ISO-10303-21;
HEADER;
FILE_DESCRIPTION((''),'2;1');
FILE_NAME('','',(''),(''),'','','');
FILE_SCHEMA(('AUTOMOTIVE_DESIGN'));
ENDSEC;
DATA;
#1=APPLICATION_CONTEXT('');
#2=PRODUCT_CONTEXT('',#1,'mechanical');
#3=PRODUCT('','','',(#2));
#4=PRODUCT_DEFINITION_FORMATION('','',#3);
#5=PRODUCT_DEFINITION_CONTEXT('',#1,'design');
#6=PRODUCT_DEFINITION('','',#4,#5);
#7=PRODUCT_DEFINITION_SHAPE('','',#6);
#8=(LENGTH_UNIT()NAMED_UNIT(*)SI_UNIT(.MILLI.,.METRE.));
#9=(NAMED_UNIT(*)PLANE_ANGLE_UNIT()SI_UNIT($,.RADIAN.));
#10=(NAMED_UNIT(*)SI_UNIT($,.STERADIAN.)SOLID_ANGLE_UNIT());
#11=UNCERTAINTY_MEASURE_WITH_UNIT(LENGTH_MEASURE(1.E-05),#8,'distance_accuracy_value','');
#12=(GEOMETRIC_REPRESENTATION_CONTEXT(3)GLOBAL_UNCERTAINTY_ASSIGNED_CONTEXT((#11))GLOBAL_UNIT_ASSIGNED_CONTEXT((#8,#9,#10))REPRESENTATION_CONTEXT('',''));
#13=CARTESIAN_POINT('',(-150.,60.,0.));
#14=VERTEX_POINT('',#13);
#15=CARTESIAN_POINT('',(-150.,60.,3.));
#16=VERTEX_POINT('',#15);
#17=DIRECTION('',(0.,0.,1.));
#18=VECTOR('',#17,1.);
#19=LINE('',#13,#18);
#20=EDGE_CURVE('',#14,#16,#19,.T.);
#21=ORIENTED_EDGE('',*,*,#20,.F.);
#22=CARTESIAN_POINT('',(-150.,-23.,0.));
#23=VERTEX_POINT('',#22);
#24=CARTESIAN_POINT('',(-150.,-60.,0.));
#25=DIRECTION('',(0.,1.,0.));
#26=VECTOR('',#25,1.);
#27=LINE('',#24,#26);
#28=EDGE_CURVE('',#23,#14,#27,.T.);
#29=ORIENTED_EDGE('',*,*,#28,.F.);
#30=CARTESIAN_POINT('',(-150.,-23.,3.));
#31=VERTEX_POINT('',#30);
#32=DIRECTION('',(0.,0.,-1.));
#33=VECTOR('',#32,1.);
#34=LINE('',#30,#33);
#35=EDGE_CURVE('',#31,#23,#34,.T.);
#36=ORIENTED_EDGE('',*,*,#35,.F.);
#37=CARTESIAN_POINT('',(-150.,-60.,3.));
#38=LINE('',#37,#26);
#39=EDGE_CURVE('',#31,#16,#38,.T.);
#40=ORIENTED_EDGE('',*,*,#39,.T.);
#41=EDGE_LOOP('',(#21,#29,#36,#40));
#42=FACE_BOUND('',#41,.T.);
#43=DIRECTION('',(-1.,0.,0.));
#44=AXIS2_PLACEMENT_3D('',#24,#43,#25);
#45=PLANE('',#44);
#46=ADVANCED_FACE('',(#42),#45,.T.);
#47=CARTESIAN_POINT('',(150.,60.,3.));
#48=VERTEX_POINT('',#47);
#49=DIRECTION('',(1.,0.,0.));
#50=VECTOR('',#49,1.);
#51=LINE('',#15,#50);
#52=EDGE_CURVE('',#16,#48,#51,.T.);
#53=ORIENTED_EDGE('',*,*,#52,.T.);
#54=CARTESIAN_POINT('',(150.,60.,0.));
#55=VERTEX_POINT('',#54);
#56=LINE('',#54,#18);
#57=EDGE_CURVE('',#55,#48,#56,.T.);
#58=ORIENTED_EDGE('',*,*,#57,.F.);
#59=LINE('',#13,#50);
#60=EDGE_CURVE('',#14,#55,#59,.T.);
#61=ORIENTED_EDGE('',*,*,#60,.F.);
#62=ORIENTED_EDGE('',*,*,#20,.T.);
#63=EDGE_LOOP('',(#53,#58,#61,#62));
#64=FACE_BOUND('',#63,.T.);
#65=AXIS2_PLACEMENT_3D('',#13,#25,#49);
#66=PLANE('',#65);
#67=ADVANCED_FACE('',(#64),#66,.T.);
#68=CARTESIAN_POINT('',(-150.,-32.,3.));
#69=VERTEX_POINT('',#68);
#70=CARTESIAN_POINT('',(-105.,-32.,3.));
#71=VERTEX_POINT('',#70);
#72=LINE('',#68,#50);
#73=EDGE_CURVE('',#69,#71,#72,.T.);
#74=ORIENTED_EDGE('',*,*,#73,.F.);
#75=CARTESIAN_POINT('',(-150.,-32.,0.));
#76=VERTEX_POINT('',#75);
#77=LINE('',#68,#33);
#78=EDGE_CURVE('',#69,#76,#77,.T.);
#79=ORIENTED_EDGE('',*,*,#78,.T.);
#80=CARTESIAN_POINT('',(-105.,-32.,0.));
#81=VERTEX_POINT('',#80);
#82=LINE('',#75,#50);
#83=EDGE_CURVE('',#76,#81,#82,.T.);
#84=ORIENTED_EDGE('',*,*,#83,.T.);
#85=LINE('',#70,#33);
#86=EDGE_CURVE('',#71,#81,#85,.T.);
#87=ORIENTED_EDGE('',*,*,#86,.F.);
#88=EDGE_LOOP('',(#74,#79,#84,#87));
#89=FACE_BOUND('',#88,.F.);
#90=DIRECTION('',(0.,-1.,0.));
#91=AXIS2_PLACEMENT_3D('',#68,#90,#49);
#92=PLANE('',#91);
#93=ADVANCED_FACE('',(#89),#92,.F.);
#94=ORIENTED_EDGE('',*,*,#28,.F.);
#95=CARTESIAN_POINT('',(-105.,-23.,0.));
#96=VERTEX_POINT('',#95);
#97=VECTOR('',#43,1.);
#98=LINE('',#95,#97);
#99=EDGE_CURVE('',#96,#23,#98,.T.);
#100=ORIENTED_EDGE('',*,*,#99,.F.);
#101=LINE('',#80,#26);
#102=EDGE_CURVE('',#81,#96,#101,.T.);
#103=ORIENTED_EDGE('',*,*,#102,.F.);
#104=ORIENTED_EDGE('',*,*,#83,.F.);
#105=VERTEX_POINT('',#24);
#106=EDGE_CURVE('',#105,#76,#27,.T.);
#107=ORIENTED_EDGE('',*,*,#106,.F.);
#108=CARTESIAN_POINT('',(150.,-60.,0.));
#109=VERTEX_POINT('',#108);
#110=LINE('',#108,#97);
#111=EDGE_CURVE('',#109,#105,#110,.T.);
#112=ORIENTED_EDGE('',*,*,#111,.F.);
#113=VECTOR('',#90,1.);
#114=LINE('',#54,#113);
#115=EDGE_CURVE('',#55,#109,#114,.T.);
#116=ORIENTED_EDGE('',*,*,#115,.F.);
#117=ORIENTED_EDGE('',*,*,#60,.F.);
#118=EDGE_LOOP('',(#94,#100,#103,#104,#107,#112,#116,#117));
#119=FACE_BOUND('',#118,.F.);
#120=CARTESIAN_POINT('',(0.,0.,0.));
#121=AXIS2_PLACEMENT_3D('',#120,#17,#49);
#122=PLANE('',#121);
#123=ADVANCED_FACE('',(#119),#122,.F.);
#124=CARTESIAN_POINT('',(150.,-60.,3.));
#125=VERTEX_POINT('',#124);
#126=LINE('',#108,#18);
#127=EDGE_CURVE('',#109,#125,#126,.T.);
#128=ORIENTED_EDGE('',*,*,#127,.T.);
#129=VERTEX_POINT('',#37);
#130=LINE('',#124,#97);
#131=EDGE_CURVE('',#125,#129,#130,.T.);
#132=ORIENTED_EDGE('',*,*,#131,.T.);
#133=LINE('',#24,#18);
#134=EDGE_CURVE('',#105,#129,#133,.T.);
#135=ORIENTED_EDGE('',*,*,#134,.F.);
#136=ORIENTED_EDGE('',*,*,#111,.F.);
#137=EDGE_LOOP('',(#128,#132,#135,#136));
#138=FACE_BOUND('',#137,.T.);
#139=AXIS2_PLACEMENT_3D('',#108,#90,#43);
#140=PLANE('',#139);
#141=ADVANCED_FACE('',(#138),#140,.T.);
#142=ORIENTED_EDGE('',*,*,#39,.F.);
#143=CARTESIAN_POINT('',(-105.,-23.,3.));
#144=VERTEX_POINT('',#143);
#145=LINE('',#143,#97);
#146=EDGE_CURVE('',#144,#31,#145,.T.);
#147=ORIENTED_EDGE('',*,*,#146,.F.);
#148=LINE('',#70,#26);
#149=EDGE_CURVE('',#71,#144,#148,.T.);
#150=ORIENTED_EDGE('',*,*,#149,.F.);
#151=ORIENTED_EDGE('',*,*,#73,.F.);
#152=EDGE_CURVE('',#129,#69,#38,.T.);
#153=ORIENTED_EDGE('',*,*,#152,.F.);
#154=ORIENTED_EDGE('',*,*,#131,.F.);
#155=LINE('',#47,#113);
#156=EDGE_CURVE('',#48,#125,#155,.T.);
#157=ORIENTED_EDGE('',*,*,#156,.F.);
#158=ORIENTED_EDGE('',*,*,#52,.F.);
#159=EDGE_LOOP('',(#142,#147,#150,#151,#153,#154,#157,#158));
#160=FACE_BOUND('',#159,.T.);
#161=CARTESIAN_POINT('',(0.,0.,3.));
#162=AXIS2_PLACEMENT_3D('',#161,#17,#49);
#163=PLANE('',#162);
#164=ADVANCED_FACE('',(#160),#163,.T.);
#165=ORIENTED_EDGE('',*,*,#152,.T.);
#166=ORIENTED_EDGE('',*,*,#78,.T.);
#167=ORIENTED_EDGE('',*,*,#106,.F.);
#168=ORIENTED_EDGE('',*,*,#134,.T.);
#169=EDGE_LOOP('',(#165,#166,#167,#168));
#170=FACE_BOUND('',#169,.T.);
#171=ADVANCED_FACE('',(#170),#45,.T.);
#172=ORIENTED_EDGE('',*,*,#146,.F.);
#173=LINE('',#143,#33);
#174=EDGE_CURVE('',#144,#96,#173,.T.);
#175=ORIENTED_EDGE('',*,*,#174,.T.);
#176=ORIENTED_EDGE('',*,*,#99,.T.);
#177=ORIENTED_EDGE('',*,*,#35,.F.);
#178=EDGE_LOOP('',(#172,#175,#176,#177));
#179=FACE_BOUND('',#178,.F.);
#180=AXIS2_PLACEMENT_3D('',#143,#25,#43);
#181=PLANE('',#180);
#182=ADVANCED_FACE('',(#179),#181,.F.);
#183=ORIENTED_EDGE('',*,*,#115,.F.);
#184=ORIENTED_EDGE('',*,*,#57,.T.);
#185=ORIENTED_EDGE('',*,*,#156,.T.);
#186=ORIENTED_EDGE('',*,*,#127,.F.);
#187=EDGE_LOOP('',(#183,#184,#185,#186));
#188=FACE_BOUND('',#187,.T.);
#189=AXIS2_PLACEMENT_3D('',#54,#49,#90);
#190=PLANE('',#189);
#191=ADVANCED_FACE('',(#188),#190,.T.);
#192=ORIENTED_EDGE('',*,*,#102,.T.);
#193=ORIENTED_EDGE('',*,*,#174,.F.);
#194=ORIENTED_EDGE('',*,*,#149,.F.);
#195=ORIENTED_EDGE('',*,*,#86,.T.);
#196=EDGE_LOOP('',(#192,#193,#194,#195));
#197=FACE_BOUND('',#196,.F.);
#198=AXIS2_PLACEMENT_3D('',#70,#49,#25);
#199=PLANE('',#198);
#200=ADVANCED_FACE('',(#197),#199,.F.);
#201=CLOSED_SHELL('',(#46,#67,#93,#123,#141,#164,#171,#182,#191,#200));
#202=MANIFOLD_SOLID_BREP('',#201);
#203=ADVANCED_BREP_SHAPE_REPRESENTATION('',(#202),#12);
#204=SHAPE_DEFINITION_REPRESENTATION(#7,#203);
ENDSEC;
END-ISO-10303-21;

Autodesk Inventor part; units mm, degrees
ref_plane "YZ Plane" through (0, 0, 0) normal (1, 0, 0) x (0, 1, 0)
ref_plane "XZ Plane" through (0, 0, 0) normal (0, 1, 0) x (-1, 0, 0)
ref_plane "XY Plane" through (0, 0, 0) normal (0, 0, 1) x (1, 0, 0)
sketch "Sketch1" plane through (0, 0, 0) normal (0, 0, 1) x (1, 0, 0)
  line L0 (-150, 60) -> (150, 60)
  line L1 (150, 60) -> (150, -60)
  line L2 (150, -60) -> (-150, -60)
  line L3 (-150, -60) -> (-150, 60)
  line L4 (-150, 60) -> (150, -60) construction
  line L5 (150, 60) -> (-150, -60) construction
  point P0 (0, 0)
  dimension "d0" = 300
  dimension "d1" = 120
extrude "Extrusion1" add sketch "Sketch1" along normal blind 3
sketch "Sketch2" plane through (0, 0, 3) normal (0, 0, 1) x (1, 0, 0)
  line L0 (-150, -32) -> (-105, -32)
  line L1 (-105, -32) -> (-105, -23)
  line L2 (-105, -23) -> (-150, -23)
  line L3 (-150, -23) -> (-150, -32)
  point P0 (0, 0)
  dimension "d4" = 45
  dimension "d5" = 9
extrude "Extrusion2" cut sketch "Sketch2" against normal up to surface (3 mm away)
properties part number "base_01[1]"
